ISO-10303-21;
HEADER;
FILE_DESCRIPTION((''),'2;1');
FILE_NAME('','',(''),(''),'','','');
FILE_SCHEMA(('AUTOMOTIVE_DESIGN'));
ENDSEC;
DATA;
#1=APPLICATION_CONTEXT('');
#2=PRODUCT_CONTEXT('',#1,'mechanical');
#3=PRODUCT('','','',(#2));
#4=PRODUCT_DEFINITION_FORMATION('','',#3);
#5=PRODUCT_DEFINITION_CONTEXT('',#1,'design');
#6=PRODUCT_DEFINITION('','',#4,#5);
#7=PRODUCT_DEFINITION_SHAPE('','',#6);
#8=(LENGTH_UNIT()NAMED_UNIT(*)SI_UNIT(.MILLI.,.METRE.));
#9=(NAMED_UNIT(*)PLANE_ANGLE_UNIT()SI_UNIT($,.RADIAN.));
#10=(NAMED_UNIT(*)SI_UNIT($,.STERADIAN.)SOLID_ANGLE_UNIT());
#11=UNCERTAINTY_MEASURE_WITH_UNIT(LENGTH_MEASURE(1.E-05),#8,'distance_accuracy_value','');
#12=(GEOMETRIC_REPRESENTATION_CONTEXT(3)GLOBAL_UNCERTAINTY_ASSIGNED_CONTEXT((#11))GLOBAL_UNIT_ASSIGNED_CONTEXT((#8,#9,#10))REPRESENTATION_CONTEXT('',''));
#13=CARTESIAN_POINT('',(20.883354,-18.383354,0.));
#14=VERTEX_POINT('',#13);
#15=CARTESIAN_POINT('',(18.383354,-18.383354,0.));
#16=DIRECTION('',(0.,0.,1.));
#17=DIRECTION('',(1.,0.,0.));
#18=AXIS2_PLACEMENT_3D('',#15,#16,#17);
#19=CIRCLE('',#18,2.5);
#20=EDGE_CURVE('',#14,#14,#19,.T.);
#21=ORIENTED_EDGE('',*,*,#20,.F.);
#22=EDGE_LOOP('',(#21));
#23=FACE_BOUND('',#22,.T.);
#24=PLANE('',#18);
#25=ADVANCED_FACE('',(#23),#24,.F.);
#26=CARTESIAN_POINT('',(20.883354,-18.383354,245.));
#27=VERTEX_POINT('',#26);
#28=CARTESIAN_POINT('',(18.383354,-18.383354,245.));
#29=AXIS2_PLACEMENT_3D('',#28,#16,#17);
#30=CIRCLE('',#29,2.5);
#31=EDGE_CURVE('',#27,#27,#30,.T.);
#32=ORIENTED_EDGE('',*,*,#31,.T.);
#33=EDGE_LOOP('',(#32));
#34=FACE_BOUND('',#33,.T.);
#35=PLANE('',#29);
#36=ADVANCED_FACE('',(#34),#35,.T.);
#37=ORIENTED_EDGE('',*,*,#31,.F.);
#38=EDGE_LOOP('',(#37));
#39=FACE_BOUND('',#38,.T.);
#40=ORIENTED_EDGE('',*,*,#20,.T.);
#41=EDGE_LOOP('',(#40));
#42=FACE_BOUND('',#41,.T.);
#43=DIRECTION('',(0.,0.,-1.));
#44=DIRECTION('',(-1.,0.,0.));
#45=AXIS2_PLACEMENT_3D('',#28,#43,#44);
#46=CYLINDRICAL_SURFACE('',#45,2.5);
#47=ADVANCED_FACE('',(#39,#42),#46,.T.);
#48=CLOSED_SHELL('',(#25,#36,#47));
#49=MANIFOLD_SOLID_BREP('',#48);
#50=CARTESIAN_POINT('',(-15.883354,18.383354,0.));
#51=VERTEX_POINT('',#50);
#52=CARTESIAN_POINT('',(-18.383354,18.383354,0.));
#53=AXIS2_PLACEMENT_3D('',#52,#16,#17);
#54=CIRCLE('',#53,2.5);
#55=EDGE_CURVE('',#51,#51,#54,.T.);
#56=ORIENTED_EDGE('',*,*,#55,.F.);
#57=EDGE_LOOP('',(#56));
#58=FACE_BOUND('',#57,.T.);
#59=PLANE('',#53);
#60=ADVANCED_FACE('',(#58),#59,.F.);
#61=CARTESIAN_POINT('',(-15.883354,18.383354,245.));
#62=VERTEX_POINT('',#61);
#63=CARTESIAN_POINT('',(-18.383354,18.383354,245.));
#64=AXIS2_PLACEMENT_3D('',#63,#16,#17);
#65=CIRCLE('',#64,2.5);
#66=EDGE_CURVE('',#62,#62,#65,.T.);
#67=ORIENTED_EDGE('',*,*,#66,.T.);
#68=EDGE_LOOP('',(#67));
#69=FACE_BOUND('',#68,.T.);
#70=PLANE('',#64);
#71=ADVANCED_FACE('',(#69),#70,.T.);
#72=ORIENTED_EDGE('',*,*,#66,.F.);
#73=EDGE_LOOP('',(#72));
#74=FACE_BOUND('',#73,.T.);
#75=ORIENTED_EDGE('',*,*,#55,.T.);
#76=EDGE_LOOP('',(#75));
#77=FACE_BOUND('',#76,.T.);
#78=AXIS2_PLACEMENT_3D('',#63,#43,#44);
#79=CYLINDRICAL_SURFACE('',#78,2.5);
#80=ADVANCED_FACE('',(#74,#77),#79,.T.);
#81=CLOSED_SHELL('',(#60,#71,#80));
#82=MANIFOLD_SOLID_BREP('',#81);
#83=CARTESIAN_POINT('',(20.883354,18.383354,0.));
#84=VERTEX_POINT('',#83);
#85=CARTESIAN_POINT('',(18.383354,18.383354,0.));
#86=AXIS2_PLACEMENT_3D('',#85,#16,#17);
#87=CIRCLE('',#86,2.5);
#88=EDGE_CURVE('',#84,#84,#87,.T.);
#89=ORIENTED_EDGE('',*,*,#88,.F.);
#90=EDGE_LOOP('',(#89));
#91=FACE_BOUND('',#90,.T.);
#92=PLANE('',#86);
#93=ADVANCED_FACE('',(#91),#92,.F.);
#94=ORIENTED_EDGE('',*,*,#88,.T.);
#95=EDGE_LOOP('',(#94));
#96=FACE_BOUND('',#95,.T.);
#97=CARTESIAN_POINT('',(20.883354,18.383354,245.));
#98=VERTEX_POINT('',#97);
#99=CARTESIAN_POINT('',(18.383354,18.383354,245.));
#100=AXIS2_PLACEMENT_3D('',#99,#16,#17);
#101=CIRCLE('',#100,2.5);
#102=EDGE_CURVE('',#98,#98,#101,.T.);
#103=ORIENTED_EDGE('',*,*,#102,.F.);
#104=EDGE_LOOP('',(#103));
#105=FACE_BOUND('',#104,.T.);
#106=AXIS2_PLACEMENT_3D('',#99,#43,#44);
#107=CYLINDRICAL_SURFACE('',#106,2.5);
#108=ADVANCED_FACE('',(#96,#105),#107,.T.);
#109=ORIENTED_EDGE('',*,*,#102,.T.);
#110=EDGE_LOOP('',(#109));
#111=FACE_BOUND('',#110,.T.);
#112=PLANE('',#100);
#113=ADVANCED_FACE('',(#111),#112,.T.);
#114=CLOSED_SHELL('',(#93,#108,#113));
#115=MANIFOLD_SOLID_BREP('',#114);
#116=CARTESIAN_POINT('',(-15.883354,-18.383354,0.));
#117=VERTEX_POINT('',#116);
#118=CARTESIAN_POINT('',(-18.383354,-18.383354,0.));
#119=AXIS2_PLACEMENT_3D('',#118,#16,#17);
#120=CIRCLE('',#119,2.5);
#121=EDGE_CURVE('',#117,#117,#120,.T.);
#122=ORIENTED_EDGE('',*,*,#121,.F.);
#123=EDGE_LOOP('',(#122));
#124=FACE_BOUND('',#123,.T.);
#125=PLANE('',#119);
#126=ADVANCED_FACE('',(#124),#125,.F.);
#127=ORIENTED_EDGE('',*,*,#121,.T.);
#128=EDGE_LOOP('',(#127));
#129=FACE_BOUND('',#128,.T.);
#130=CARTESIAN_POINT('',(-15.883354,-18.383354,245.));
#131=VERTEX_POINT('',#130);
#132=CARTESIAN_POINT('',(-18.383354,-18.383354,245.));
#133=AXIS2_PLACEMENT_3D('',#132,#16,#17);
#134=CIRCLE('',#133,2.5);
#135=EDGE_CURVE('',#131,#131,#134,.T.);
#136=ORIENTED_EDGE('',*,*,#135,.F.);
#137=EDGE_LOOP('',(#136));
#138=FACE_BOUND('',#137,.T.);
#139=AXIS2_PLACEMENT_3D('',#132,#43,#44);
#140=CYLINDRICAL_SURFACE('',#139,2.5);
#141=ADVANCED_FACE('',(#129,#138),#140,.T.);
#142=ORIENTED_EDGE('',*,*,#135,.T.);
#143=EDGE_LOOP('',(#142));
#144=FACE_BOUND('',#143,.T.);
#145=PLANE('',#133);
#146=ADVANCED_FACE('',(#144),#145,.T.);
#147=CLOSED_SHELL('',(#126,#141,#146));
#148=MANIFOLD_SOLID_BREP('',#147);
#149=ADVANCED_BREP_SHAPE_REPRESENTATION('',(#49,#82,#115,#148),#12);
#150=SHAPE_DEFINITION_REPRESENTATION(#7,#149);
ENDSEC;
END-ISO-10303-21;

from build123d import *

# Parameters (mm, degrees)
SKETCH_3_R        = 2.5
EXTRUDE_2_DEPTH   = 245
EXTRUDE_2_2_DEPTH = 245
EXTRUDE_2_3_DEPTH = 245
EXTRUDE_2_4_DEPTH = 245


with BuildPart() as part:
    # Эскиз3 → Вытянуть2 (new body)
    with BuildSketch(Plane.XY):
        with Locations((18.383354246, 18.383354246)):
            Circle(SKETCH_3_R)
    extrude(amount=EXTRUDE_2_DEPTH)


with BuildPart() as body_2:
    # Эскиз3 → Extrude 2 2 (new body)
    with BuildSketch(Plane.XY):
        with Locations((18.383354246, -18.383354246)):
            Circle(SKETCH_3_R)
    extrude(amount=EXTRUDE_2_2_DEPTH)


with BuildPart() as body_3:
    # Эскиз3 → Extrude 2 3 (new body)
    with BuildSketch(Plane.XY):
        with Locations((-18.383354246, -18.383354246)):
            Circle(SKETCH_3_R)
    extrude(amount=EXTRUDE_2_3_DEPTH)


with BuildPart() as body_4:
    # Эскиз3 → Extrude 2 4 (new body)
    with BuildSketch(Plane.XY):
        with Locations((-18.383354246, 18.383354246)):
            Circle(SKETCH_3_R)
    extrude(amount=EXTRUDE_2_4_DEPTH)


solid = Compound([part.part, body_2.part, body_3.part, body_4.part])
